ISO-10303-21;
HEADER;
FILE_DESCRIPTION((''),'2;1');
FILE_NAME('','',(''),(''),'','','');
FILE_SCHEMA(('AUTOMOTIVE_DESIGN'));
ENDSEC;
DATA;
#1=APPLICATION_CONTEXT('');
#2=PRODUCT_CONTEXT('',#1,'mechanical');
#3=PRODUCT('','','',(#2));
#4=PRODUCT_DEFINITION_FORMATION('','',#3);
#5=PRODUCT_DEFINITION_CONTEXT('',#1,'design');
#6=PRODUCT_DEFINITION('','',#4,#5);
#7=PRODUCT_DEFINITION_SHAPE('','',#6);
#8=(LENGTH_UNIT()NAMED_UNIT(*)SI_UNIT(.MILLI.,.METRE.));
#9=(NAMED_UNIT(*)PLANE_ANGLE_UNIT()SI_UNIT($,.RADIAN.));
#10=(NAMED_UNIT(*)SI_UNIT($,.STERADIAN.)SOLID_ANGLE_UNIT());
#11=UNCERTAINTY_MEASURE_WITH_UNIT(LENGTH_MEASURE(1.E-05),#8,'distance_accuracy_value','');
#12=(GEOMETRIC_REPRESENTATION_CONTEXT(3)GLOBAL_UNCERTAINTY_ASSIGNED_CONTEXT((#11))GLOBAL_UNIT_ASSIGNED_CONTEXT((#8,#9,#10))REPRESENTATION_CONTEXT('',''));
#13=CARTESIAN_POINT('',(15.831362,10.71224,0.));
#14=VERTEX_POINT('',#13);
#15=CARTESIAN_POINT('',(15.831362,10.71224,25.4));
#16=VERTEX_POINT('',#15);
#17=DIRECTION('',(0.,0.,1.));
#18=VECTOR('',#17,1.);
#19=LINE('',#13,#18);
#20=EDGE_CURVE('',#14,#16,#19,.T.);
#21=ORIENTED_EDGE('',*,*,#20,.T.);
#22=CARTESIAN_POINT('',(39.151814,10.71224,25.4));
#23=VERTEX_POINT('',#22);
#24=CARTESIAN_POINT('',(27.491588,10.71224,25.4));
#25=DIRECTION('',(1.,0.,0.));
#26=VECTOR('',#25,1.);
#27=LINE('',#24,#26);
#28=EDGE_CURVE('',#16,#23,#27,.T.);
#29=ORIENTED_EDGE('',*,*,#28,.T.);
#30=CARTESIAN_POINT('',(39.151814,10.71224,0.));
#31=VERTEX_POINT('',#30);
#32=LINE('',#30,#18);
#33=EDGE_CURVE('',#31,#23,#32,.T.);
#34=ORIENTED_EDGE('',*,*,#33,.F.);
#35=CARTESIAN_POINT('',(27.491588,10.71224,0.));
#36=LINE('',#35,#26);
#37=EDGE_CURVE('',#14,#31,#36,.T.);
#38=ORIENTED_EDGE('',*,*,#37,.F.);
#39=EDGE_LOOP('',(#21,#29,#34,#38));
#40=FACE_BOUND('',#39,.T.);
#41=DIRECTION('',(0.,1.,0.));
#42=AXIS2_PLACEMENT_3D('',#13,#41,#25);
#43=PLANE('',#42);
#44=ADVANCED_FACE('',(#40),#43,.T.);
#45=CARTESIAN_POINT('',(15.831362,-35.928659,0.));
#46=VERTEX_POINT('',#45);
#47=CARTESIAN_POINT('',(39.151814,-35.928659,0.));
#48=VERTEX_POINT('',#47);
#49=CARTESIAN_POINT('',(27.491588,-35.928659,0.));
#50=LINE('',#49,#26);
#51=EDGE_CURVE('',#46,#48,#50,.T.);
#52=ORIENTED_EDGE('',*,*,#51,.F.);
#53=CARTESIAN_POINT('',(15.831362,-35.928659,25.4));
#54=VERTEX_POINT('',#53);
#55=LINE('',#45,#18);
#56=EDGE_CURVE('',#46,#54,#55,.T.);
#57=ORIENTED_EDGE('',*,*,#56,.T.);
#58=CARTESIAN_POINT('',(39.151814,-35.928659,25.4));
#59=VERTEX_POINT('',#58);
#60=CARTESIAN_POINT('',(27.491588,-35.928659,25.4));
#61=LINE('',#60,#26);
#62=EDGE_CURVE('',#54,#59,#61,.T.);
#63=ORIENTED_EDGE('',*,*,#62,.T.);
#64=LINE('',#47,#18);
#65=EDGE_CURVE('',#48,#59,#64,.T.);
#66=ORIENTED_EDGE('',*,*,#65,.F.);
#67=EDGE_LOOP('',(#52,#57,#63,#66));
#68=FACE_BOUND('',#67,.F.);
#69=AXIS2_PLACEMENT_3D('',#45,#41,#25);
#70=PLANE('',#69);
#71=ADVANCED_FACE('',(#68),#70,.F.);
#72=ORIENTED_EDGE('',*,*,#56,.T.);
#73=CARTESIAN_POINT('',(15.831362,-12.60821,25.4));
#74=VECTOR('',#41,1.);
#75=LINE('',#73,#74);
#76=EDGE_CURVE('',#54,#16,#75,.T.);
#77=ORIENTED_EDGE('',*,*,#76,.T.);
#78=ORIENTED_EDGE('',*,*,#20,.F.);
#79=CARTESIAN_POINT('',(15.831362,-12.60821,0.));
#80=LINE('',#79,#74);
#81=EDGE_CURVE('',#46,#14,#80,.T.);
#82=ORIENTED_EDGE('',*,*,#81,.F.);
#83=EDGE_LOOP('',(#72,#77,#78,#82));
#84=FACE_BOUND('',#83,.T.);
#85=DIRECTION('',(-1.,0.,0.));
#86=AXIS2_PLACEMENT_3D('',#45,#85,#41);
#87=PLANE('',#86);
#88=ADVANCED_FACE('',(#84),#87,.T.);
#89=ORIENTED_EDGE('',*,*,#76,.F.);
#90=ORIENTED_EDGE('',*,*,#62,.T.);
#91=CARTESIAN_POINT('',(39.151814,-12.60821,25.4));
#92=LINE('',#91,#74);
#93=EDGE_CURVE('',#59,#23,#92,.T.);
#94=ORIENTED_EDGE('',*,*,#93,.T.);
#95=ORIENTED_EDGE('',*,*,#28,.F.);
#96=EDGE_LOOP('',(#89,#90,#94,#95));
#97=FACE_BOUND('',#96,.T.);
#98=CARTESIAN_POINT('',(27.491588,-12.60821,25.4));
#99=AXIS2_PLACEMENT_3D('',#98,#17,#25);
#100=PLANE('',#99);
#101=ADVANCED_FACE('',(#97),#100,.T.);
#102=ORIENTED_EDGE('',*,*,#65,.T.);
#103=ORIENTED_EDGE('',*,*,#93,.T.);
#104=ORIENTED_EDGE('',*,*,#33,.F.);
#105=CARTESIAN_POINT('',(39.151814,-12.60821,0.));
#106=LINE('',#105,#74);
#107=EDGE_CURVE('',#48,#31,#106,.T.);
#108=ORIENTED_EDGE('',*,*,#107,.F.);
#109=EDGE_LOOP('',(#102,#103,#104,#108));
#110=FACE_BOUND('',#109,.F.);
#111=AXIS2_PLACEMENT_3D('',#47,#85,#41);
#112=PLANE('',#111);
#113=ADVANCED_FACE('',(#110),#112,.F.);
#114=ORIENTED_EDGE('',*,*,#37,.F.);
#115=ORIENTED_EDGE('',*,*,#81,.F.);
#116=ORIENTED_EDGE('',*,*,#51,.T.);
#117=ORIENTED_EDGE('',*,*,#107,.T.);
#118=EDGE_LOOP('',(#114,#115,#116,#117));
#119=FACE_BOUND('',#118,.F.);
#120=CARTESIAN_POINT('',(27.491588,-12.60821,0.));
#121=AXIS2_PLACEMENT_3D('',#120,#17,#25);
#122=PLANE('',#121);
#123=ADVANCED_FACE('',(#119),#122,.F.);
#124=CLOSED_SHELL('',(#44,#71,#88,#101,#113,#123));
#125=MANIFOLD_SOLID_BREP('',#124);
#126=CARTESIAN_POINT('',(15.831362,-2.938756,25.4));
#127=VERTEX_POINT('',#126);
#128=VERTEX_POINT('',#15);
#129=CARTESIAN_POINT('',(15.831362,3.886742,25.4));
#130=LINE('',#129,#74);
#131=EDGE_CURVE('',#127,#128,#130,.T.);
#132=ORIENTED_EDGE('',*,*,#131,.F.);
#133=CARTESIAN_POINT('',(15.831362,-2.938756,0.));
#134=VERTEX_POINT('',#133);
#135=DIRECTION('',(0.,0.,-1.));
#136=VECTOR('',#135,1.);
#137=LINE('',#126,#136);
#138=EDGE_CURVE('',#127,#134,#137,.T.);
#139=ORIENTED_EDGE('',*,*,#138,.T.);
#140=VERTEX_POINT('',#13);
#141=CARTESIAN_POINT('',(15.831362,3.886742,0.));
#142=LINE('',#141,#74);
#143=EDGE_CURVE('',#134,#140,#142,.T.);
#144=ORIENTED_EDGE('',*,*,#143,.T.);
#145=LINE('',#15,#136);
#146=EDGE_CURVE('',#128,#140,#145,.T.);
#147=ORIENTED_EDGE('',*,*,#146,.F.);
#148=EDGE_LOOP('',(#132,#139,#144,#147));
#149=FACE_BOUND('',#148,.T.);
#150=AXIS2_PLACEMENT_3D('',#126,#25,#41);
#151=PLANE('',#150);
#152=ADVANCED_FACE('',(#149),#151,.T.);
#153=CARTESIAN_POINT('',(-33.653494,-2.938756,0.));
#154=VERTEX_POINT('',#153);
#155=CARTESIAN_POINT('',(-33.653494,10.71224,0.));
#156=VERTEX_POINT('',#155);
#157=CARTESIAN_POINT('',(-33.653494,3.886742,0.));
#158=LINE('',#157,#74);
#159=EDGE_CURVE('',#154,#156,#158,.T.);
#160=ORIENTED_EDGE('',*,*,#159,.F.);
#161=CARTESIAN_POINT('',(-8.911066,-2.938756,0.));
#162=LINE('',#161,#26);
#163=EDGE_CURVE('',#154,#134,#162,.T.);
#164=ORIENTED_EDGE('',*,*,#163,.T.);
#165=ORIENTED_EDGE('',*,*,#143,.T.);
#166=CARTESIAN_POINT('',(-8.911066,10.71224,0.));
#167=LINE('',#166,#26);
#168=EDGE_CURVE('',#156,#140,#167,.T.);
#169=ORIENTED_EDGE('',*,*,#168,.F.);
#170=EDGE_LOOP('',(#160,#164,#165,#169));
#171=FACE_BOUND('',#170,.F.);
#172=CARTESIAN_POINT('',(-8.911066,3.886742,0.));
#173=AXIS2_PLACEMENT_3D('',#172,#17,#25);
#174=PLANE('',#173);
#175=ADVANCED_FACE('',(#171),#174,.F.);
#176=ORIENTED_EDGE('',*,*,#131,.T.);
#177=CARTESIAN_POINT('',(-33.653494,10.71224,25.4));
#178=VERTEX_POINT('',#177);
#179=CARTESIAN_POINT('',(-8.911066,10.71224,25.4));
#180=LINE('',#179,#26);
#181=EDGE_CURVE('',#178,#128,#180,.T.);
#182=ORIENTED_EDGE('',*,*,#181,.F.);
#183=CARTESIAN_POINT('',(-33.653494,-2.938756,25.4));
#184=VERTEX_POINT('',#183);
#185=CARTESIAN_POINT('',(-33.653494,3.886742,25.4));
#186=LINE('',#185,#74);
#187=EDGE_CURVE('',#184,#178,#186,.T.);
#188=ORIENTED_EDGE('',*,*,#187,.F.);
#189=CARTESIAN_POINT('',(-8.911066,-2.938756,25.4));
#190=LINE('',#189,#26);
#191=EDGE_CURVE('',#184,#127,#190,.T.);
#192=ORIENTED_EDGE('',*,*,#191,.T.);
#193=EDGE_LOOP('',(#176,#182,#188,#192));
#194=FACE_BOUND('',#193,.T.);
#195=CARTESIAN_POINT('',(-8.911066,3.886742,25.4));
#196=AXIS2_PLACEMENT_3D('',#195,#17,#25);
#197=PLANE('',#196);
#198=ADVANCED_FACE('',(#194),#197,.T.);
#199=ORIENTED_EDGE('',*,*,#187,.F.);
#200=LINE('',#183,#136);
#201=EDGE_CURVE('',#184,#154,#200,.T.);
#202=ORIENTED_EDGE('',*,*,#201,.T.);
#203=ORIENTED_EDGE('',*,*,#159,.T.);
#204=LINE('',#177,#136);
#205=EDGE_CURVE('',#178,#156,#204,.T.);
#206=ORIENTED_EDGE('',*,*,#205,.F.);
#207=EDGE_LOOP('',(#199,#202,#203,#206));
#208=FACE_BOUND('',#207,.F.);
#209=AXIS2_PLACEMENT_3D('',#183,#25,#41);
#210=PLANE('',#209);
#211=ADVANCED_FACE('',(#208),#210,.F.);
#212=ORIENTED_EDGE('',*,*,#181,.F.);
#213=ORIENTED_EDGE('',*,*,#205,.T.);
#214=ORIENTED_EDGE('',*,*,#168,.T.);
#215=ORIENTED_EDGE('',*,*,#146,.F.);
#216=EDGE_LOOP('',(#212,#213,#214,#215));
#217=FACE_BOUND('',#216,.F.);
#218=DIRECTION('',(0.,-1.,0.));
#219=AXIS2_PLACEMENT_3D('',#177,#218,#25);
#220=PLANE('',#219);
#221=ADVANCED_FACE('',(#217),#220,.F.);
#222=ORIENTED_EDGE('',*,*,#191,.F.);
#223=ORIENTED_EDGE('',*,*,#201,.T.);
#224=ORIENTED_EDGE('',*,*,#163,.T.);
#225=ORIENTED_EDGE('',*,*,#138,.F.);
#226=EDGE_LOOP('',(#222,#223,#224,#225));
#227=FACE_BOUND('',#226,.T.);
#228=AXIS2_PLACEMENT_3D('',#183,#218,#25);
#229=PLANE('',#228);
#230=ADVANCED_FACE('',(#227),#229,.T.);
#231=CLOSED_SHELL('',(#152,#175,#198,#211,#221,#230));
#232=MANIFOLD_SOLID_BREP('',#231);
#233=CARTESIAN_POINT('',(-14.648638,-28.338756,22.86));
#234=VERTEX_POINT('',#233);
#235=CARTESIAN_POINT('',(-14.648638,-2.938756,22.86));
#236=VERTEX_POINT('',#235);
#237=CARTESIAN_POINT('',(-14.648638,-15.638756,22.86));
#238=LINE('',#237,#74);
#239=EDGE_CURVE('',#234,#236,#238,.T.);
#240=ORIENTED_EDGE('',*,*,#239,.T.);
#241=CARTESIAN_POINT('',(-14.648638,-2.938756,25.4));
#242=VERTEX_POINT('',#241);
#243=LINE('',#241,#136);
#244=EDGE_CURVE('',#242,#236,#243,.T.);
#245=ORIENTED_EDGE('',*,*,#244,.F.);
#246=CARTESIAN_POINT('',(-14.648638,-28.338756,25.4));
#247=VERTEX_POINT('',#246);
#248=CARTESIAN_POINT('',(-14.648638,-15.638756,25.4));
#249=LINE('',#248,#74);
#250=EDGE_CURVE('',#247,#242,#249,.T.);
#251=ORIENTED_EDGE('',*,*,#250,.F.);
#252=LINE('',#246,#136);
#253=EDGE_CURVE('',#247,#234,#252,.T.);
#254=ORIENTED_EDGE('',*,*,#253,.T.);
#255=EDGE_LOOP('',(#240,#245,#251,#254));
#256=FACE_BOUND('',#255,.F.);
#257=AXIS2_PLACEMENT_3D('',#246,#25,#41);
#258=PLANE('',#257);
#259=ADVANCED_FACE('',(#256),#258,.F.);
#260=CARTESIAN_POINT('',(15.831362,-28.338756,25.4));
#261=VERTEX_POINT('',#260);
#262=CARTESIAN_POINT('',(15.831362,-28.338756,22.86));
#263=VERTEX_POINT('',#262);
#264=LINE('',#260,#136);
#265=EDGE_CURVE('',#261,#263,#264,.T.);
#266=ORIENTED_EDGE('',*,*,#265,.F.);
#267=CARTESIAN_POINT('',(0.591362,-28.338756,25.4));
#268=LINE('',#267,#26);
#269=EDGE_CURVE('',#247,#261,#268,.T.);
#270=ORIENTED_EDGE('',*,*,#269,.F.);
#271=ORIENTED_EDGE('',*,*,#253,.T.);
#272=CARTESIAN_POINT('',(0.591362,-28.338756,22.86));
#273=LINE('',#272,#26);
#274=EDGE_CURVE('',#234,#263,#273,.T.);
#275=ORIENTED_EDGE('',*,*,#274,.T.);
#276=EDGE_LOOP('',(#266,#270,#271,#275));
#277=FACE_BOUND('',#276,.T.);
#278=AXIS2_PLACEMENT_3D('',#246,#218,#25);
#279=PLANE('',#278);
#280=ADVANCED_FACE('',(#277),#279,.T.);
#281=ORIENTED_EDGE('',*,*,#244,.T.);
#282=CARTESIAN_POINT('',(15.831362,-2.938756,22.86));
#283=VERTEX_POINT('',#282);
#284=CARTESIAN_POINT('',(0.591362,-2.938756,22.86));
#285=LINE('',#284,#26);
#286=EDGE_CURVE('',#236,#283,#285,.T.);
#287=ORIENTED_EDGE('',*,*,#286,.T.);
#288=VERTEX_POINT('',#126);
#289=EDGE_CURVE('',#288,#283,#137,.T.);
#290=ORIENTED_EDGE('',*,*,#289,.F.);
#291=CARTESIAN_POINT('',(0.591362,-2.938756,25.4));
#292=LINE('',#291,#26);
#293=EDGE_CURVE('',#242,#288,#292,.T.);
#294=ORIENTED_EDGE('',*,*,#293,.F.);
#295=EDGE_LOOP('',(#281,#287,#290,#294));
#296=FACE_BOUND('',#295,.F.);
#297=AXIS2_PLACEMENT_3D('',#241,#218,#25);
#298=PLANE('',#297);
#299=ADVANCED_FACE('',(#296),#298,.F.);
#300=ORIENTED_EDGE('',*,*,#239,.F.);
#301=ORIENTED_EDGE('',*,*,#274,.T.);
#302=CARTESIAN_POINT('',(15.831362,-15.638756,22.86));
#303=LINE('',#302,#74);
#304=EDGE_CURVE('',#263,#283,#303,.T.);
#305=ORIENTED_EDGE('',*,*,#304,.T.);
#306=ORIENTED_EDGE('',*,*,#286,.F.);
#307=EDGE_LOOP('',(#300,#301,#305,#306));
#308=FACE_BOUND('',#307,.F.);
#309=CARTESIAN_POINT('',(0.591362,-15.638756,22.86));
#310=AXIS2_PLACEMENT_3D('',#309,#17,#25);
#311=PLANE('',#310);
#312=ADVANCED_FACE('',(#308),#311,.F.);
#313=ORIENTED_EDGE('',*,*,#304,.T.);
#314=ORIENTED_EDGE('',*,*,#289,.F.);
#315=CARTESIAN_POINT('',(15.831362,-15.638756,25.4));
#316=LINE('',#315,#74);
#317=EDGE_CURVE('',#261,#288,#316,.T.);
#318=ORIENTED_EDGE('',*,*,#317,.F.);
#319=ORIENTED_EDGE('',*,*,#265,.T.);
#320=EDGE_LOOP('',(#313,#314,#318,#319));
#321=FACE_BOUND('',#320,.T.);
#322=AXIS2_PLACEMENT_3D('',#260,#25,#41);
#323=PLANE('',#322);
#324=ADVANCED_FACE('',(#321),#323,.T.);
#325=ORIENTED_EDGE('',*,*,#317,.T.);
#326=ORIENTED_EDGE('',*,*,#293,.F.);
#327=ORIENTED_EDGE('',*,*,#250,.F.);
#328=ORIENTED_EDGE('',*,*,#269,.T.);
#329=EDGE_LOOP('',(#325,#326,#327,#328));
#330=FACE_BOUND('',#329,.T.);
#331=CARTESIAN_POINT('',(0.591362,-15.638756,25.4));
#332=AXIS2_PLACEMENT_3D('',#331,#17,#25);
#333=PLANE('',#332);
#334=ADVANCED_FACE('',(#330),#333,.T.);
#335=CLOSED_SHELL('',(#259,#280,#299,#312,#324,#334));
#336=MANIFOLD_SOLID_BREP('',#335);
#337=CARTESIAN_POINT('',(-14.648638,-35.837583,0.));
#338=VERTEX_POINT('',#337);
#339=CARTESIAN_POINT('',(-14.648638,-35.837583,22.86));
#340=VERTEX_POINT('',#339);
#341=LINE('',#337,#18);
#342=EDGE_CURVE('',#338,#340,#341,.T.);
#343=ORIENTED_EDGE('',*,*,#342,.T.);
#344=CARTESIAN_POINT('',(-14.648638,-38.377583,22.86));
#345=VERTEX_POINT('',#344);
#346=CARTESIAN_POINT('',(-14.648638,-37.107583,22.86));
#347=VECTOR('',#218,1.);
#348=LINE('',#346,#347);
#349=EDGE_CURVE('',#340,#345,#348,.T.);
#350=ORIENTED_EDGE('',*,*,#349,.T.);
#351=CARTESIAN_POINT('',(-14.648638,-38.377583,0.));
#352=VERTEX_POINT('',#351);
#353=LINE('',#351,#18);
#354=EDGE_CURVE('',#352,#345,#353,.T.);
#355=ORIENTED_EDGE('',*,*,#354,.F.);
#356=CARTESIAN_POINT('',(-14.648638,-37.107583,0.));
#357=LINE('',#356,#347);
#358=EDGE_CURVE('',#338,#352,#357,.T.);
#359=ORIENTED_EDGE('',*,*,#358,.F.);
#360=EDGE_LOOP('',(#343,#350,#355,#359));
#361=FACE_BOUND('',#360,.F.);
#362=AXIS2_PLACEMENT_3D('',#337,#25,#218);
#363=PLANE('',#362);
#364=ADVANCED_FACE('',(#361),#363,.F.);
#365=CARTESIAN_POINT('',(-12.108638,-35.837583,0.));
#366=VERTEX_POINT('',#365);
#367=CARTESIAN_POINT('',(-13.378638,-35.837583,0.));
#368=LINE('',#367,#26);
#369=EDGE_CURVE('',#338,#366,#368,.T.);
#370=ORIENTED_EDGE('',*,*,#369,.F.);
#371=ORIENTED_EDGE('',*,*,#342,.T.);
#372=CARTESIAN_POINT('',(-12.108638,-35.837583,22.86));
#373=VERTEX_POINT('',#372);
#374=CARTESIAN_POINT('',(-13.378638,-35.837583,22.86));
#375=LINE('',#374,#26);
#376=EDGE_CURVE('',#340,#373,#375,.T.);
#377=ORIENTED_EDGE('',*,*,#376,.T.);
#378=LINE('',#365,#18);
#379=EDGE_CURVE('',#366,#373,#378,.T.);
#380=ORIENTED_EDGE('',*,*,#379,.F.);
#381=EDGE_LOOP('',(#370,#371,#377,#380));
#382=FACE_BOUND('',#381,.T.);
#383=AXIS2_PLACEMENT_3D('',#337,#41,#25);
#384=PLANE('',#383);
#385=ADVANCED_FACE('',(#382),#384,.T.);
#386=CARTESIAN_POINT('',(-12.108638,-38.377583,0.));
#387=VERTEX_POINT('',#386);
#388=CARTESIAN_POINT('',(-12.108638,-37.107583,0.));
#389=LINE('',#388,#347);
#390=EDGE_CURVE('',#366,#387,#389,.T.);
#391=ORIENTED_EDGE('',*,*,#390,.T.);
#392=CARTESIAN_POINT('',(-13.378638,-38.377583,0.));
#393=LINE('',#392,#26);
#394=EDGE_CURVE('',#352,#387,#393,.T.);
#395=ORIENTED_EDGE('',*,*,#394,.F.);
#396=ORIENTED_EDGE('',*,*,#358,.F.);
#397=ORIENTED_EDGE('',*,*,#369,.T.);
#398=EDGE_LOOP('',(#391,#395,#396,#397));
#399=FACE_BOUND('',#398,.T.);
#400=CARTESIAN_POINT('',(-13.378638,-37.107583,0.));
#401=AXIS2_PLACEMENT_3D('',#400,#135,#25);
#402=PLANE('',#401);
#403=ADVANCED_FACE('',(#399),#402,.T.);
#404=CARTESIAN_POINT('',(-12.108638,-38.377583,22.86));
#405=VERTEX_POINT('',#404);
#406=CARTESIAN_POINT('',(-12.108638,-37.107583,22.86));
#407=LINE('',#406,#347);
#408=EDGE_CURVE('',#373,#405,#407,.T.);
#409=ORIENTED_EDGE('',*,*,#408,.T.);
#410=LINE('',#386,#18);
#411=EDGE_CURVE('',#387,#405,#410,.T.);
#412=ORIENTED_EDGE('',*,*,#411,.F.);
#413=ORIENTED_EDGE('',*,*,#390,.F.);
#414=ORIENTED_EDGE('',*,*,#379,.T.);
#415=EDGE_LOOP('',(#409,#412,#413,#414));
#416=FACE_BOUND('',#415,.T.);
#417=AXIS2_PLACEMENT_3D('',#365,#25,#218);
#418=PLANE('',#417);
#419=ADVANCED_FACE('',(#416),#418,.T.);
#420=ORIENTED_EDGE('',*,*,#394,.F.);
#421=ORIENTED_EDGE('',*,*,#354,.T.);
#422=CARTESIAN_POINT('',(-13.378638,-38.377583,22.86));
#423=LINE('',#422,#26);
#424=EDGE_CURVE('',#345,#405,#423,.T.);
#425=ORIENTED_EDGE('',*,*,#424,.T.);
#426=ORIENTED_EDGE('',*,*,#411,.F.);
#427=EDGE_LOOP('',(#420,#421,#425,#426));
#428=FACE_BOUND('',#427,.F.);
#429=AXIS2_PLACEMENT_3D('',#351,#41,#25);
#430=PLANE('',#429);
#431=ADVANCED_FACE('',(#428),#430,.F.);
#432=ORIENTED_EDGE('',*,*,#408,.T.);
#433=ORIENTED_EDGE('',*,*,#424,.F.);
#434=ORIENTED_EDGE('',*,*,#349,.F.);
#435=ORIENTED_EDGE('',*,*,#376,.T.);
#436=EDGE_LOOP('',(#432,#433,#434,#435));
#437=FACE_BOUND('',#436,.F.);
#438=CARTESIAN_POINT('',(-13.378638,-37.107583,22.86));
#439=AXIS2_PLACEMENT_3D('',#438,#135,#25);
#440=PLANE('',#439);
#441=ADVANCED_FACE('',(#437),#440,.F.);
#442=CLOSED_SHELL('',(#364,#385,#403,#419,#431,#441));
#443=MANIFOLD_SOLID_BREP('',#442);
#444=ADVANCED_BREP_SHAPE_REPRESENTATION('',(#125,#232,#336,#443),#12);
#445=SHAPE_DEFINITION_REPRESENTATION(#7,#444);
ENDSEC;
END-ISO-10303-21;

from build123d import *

# Parameters (mm, degrees)
F0_W     = 23.3204513788
F0_H     = 46.6408990324
F1_DEPTH = 25.4
F2_W     = 49.4848564267
F2_H     = 13.650995912
F3_DEPTH = 25.4
F4_W     = 30.48
F4_H     = 25.4
F5_DEPTH = 2.54
F7_W     = 2.54
F7_H     = 2.54
F8_DEPTH = 22.86


with BuildPart() as f1:
    # F0 (on Top) → F1 (new body)
    with BuildSketch(Plane.XY):
        with Locations((27.4915881455, -12.6082096249)):
            Rectangle(F0_W, F0_H)
    extrude(amount=F1_DEPTH)


with BuildPart() as f3:
    # F2 (on face) → F3 (new body)
    with BuildSketch(Plane.XY.offset(25.4)):
        with Locations((-8.9110657573, 3.8867419353)):
            Rectangle(F2_W, F2_H)
    extrude(amount=-F3_DEPTH)


with BuildPart() as f5:
    # F4 (on face) → F5 (new body)
    with BuildSketch(Plane.XY.offset(25.4)):
        with Locations((0.5913624561, -15.6387560207)):
            Rectangle(F4_W, F4_H)
    extrude(amount=-F5_DEPTH)


with BuildPart() as f8:
    # F7 (on offset) → F8 (new body)
    with BuildSketch(Plane(origin=(0, 0, 0), x_dir=(1, 0, 0), z_dir=(0, 0, -1))):
        with Locations((-13.3786375439, 37.1075829383)):
            Rectangle(F7_W, F7_H)
    extrude(amount=-F8_DEPTH)


solid = Compound([f1.part, f3.part, f5.part, f8.part])
